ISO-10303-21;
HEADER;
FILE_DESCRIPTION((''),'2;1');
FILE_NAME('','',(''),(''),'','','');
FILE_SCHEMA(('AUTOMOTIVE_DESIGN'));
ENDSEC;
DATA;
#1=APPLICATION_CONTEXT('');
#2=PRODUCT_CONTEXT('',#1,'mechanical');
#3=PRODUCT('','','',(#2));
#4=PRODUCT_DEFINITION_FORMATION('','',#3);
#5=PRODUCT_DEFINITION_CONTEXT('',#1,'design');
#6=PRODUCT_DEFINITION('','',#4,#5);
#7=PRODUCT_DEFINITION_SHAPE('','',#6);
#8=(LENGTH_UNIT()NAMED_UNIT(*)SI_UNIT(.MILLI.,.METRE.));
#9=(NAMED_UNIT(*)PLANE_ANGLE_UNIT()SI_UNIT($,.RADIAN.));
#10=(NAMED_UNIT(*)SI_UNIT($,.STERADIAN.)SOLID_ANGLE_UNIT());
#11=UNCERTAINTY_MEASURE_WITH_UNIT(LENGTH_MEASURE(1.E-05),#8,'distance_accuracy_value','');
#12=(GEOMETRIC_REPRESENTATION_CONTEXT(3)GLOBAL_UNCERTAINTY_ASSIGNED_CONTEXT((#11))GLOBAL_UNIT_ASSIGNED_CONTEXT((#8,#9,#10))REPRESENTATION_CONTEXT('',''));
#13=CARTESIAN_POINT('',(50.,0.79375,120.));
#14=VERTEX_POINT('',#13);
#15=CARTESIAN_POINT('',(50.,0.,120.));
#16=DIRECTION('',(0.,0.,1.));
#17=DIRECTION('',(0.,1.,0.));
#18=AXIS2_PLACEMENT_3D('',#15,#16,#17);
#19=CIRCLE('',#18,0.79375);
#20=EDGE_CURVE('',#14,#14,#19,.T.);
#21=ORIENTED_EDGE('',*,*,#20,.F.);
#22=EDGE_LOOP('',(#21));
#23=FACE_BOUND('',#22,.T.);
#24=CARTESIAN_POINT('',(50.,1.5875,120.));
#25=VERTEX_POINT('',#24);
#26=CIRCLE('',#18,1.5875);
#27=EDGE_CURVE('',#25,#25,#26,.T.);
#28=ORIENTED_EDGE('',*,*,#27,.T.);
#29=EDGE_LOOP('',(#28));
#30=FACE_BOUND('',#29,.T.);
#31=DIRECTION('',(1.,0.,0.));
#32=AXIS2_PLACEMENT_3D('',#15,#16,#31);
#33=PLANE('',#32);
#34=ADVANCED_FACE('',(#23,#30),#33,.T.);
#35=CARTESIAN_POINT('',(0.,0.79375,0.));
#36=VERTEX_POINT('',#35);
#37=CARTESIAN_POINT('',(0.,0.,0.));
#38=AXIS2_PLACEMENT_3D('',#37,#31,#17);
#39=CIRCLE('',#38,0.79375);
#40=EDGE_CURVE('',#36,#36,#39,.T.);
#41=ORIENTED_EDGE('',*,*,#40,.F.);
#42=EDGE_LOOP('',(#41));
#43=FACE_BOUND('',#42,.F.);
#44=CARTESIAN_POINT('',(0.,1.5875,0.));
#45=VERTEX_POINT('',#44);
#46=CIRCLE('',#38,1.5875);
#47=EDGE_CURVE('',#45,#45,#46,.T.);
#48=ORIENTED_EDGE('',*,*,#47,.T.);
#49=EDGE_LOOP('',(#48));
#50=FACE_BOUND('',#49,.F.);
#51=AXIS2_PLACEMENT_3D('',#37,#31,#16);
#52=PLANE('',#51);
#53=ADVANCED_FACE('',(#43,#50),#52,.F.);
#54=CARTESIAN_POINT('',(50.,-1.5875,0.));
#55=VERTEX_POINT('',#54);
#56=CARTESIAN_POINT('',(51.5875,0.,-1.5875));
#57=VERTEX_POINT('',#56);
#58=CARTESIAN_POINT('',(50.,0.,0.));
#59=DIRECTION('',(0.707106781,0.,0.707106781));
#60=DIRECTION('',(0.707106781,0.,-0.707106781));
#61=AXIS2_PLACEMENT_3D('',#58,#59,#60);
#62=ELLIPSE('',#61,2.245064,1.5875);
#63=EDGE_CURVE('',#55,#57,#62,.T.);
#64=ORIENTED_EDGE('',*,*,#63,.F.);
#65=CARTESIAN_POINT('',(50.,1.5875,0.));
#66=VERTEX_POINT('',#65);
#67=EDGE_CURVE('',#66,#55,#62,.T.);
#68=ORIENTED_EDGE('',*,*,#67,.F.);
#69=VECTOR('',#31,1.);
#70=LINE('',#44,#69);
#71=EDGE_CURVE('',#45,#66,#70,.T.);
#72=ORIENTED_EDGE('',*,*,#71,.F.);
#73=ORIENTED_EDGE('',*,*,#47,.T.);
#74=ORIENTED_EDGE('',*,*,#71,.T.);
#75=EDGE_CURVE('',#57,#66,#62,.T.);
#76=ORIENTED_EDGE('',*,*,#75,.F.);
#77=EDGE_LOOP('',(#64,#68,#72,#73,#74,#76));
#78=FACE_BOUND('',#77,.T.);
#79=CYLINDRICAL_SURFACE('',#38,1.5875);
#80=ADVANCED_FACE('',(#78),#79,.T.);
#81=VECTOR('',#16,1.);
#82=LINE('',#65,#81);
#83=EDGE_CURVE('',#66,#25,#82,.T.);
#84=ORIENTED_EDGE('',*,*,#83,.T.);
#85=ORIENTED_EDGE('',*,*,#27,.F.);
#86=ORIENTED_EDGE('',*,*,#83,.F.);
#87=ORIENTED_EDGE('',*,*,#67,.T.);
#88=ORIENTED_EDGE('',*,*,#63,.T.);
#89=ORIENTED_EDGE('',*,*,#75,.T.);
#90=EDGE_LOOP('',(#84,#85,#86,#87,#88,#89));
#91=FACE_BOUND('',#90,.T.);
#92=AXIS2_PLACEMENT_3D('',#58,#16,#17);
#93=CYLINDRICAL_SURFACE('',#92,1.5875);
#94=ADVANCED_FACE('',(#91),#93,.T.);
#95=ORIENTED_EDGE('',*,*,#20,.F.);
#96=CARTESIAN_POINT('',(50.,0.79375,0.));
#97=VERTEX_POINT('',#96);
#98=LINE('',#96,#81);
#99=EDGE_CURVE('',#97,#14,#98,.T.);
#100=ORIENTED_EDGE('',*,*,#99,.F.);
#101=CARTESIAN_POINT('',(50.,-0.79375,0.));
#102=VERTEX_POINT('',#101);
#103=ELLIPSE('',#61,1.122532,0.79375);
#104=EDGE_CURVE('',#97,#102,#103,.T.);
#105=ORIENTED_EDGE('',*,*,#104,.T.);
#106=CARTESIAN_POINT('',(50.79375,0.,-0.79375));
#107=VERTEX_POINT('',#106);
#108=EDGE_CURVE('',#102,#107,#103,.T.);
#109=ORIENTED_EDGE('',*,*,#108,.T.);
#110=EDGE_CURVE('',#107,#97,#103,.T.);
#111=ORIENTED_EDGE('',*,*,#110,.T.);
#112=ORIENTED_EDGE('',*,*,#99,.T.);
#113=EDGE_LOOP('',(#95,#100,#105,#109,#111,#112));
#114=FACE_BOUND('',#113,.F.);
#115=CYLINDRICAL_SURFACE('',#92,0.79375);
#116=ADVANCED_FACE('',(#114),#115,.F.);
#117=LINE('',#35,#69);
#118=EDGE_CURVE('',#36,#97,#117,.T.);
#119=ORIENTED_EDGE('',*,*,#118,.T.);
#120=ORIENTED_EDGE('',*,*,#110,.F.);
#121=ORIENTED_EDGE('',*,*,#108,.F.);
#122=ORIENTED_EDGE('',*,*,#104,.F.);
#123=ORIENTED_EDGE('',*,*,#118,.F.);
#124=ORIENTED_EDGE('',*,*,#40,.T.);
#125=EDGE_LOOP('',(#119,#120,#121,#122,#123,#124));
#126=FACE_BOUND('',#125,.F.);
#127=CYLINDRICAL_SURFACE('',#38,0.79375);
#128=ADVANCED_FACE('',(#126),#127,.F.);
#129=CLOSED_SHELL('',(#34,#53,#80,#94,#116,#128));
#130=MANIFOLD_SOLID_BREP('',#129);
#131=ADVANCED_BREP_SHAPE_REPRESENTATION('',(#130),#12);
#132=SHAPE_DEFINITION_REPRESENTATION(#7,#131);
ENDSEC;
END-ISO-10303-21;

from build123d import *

# Parameters (mm, degrees)
F0_R = 1.5875
F1_R = 0.79375


with BuildPart() as f3:
    # F3: sweep along a path in F2
    with BuildLine(Plane.XZ) as f3_path:
        Line((0, 0), (50, 0))
        Line((50, 0), (50, 120))
    # F0 (on Right) → F3 (sweep)
    with BuildSketch(Plane.YZ):
        Circle(F0_R)
    sweep(path=f3_path.line, transition=Transition.RIGHT)

    # F4: sweep along a path in F2
    with BuildLine(Plane.XZ) as f4_path:
        Line((0, 0), (50, 0))
        Line((50, 0), (50, 120))
    # F1 (on Right) → F4 (sweep, cut)
    with BuildSketch(Plane.YZ):
        Circle(F1_R)
    sweep(path=f4_path.line, transition=Transition.RIGHT, mode=Mode.SUBTRACT)


solid = f3.part
